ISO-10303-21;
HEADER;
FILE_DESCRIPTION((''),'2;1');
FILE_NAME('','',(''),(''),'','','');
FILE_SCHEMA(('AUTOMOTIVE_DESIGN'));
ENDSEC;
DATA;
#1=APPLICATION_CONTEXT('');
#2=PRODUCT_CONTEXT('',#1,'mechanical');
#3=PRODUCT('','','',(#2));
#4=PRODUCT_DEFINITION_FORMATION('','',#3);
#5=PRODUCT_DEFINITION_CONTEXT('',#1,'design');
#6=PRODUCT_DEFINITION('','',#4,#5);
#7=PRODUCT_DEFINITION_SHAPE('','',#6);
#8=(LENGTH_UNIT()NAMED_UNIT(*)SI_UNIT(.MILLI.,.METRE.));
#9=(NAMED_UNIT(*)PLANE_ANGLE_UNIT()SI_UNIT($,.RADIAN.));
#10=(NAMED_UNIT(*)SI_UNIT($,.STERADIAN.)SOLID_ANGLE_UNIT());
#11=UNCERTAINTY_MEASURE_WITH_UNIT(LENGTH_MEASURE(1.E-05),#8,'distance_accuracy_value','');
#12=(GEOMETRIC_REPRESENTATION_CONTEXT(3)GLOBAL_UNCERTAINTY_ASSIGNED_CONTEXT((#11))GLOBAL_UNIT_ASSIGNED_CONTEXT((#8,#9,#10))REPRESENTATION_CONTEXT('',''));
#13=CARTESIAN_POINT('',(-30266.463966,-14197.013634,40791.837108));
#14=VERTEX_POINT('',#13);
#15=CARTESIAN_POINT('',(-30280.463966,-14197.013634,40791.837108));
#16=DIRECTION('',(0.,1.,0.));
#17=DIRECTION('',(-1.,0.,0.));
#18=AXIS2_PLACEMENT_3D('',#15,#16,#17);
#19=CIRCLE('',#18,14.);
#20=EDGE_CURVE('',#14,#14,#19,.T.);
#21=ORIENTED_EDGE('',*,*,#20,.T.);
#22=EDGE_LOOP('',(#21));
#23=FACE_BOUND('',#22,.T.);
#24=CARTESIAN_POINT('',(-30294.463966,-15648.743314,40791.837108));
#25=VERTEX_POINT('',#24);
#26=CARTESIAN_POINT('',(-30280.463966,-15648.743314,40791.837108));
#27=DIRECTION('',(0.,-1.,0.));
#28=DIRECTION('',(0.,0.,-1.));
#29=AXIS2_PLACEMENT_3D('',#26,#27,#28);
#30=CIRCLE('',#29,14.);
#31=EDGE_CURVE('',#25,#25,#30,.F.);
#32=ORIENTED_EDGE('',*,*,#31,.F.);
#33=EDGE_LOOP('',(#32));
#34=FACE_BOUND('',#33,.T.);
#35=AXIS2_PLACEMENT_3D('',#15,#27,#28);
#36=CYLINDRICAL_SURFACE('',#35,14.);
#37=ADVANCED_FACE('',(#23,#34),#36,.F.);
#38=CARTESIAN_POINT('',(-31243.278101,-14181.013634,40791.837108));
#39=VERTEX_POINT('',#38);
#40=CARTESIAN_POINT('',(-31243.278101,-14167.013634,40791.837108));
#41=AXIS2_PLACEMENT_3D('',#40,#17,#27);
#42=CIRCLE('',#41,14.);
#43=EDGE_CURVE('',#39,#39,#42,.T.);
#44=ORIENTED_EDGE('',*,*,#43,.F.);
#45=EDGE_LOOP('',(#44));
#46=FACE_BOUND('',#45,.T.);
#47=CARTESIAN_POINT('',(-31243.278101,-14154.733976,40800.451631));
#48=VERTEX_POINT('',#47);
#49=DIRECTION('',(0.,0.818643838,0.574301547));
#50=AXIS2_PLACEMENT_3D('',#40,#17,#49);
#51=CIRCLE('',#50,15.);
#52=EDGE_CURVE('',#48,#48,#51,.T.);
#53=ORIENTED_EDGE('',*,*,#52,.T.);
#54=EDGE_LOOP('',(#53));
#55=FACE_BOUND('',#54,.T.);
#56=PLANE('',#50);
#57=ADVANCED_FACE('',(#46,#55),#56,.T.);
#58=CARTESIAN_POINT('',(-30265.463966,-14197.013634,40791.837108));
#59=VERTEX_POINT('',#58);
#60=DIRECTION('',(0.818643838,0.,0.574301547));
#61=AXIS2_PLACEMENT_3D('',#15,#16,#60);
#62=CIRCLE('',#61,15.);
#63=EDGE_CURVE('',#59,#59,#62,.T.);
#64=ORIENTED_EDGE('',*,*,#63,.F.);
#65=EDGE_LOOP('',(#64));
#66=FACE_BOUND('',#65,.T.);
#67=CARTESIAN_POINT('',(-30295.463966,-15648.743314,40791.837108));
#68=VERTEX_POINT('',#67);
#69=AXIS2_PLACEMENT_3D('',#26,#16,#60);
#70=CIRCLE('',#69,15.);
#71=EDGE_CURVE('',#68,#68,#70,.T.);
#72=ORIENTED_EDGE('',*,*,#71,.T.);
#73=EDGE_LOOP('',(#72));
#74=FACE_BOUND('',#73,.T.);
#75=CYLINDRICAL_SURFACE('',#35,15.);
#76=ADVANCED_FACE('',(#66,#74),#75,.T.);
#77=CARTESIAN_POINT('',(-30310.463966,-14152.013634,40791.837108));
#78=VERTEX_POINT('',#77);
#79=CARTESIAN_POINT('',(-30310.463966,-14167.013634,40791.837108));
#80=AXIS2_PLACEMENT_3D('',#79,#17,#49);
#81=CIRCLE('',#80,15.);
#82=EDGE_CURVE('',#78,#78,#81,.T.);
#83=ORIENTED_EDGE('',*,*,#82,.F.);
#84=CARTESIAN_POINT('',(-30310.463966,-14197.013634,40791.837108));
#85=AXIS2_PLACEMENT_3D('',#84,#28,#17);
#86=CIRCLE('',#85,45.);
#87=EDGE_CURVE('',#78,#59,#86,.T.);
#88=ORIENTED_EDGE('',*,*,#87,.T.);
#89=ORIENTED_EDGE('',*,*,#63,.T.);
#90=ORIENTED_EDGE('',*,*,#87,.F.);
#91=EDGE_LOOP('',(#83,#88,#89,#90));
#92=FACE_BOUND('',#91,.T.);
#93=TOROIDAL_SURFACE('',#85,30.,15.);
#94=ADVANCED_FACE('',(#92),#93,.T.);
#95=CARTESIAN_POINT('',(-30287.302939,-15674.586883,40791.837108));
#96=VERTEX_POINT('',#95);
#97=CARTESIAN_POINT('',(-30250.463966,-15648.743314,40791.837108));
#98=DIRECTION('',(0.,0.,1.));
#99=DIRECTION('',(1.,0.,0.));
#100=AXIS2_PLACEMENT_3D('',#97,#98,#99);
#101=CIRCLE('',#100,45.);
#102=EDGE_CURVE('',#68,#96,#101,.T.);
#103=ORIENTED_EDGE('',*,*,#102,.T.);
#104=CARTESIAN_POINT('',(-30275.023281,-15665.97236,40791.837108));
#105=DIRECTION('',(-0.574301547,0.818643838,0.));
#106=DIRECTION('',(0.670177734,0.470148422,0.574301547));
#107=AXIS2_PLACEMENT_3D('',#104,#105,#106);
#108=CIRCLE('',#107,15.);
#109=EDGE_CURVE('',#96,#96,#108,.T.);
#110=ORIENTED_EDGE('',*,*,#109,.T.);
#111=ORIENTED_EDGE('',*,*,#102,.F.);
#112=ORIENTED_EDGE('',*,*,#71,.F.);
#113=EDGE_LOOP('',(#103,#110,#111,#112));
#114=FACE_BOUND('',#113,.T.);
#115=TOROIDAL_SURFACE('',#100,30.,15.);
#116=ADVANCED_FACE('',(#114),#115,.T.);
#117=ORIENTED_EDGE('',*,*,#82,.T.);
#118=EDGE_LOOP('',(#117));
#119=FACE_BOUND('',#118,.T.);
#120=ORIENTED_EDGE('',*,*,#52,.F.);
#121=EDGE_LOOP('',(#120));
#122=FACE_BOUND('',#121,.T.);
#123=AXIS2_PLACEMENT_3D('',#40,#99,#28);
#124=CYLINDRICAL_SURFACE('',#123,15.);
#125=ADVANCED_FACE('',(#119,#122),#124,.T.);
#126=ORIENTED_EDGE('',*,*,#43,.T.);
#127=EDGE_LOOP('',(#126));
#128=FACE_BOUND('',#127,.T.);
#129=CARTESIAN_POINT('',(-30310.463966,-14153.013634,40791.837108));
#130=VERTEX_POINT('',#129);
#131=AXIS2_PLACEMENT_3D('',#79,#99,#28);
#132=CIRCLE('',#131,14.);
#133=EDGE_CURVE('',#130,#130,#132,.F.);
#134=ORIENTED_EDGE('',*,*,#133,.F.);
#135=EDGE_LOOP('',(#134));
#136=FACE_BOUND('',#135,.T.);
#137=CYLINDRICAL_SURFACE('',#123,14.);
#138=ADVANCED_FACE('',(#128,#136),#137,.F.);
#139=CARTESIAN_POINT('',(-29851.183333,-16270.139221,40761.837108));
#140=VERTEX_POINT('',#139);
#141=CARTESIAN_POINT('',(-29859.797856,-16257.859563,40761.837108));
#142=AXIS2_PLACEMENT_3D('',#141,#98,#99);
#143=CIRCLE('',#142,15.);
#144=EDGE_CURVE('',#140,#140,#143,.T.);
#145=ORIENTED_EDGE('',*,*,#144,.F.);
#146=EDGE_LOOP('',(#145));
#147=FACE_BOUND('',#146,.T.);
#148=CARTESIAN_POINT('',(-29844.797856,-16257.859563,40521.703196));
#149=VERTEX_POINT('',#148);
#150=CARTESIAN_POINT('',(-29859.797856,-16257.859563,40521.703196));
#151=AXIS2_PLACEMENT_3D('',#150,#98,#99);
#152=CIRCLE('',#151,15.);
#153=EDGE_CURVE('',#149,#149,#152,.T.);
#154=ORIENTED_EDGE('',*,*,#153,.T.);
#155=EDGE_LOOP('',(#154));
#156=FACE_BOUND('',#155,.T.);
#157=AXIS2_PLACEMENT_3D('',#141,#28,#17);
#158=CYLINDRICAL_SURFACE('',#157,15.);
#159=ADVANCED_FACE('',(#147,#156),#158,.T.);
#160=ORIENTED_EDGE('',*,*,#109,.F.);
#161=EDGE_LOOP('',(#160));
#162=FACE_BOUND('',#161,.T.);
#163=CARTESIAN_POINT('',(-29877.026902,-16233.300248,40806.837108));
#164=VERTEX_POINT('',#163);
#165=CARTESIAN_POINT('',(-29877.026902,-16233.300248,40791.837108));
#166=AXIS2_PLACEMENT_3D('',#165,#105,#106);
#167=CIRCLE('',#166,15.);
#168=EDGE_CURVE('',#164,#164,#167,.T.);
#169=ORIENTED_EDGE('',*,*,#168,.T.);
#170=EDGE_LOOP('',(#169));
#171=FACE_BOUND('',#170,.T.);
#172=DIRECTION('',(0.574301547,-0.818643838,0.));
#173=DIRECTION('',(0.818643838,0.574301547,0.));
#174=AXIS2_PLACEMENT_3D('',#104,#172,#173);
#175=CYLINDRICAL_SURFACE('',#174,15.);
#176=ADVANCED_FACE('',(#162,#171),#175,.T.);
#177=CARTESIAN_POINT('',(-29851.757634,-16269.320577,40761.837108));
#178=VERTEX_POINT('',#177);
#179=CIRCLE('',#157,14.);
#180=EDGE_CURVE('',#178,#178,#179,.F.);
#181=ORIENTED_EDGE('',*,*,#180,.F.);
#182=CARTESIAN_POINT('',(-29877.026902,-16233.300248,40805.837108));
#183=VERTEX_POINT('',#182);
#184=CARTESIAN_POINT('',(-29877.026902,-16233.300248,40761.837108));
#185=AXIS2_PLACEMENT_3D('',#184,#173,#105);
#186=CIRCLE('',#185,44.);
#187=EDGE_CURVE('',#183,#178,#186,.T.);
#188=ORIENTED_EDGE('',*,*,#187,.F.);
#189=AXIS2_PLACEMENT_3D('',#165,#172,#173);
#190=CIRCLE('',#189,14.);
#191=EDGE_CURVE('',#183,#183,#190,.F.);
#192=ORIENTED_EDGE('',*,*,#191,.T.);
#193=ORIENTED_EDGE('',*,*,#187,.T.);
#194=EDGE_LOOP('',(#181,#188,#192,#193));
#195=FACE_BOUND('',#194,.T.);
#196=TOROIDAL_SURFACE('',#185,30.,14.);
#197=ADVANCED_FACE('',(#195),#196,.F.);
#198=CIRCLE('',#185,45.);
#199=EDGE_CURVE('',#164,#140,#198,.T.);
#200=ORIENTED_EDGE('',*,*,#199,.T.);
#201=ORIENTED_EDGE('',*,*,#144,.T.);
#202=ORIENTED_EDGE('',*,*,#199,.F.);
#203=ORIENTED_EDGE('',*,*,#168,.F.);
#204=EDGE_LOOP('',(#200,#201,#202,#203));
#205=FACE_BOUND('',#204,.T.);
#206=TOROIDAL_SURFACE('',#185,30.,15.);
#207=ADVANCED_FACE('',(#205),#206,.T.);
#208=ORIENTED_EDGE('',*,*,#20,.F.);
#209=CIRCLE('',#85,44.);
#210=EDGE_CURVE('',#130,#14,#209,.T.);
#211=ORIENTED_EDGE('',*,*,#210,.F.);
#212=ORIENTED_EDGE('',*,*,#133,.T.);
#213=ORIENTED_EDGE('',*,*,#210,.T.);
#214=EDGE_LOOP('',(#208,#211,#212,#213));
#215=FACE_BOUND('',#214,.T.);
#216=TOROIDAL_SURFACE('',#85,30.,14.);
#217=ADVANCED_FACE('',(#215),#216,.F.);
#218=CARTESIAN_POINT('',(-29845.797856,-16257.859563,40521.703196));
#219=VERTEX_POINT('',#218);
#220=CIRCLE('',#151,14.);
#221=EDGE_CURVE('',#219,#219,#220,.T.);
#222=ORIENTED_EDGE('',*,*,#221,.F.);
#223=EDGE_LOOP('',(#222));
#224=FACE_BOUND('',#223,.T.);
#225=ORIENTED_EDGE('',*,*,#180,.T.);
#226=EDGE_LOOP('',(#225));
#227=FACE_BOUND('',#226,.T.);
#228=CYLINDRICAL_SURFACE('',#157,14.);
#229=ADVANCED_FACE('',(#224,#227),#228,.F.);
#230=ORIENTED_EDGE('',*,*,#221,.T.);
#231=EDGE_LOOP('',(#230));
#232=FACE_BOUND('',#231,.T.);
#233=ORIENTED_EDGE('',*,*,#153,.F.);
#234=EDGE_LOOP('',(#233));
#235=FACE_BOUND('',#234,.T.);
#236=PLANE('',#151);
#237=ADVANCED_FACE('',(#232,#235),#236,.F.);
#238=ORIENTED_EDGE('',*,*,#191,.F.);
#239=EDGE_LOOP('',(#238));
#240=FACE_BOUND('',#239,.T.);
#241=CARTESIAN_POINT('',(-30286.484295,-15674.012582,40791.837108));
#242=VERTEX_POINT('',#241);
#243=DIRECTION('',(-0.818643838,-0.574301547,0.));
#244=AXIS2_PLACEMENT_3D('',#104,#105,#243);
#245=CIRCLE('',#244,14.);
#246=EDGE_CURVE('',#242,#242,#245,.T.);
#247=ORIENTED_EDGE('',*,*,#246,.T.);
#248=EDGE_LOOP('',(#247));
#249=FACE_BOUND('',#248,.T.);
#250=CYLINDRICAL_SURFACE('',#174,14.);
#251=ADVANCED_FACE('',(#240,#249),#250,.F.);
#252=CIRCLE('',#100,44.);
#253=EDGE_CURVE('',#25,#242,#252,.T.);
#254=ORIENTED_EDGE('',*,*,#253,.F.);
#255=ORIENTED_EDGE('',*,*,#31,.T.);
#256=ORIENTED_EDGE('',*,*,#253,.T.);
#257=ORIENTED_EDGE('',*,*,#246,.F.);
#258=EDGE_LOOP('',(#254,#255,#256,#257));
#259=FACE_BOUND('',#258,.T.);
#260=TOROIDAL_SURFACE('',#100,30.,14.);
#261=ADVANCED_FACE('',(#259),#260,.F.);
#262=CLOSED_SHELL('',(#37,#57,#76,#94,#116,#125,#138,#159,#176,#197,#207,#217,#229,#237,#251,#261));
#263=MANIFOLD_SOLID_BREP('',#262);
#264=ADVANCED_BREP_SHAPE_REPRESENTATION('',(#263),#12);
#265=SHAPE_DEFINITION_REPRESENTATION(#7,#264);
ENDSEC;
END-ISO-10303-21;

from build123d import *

# Parameters (mm, degrees)
SWEEP_THIN1_PROFILE_R   = 15
SWEEP_THIN1_PROFILE_R_2 = 14


with BuildPart() as part:
    # Sweep-Thin1: sweep along a curve in space
    with BuildLine() as sweep_thin1_path:
        Line((-31243.278100508, -14167.013633947, 40791.837107647), (-30310.46396617, -14167.013633947, 40791.837107647))
        ThreePointArc((-30280.46396617, -14197.013633947, 40791.837107647), (-30289.250762735, -14175.800430511, 40791.837107647), (-30310.46396617, -14167.013633947, 40791.837107647))
        Line((-30280.46396617, -14197.013633947, 40791.837107647), (-30280.46396617, -15648.743313868, 40791.837107647))
        ThreePointArc((-30275.023281313, -15665.972360264, 40791.837107647), (-30279.071477896, -15657.777154295, 40791.837107647), (-30280.46396617, -15648.743313868, 40791.837107647))
        Line((-30275.023281313, -15665.972360264, 40791.837107647), (-29877.026902122, -16233.300248153, 40791.837107647))
        ThreePointArc((-29859.797855726, -16257.859563295, 40761.837107647), (-29864.844126582, -16250.666306431, 40783.050311082), (-29877.026902122, -16233.300248153, 40791.837107647))
        Line((-29859.797855726, -16257.859563295, 40761.837107647), (-29859.797855726, -16257.859563295, 40521.703196056))
    # Sweep-Thin1 profile (on start of the path) → Sweep-Thin1 (sweep)
    with BuildSketch(Plane(origin=(-31243.278100508, -14167.013633947, 40791.837107647), x_dir=(0, 0, 1), z_dir=(1, 0, 0))):
        Circle(SWEEP_THIN1_PROFILE_R)
        Circle(SWEEP_THIN1_PROFILE_R_2, mode=Mode.SUBTRACT)
    sweep(path=sweep_thin1_path.line)


solid = part.part
